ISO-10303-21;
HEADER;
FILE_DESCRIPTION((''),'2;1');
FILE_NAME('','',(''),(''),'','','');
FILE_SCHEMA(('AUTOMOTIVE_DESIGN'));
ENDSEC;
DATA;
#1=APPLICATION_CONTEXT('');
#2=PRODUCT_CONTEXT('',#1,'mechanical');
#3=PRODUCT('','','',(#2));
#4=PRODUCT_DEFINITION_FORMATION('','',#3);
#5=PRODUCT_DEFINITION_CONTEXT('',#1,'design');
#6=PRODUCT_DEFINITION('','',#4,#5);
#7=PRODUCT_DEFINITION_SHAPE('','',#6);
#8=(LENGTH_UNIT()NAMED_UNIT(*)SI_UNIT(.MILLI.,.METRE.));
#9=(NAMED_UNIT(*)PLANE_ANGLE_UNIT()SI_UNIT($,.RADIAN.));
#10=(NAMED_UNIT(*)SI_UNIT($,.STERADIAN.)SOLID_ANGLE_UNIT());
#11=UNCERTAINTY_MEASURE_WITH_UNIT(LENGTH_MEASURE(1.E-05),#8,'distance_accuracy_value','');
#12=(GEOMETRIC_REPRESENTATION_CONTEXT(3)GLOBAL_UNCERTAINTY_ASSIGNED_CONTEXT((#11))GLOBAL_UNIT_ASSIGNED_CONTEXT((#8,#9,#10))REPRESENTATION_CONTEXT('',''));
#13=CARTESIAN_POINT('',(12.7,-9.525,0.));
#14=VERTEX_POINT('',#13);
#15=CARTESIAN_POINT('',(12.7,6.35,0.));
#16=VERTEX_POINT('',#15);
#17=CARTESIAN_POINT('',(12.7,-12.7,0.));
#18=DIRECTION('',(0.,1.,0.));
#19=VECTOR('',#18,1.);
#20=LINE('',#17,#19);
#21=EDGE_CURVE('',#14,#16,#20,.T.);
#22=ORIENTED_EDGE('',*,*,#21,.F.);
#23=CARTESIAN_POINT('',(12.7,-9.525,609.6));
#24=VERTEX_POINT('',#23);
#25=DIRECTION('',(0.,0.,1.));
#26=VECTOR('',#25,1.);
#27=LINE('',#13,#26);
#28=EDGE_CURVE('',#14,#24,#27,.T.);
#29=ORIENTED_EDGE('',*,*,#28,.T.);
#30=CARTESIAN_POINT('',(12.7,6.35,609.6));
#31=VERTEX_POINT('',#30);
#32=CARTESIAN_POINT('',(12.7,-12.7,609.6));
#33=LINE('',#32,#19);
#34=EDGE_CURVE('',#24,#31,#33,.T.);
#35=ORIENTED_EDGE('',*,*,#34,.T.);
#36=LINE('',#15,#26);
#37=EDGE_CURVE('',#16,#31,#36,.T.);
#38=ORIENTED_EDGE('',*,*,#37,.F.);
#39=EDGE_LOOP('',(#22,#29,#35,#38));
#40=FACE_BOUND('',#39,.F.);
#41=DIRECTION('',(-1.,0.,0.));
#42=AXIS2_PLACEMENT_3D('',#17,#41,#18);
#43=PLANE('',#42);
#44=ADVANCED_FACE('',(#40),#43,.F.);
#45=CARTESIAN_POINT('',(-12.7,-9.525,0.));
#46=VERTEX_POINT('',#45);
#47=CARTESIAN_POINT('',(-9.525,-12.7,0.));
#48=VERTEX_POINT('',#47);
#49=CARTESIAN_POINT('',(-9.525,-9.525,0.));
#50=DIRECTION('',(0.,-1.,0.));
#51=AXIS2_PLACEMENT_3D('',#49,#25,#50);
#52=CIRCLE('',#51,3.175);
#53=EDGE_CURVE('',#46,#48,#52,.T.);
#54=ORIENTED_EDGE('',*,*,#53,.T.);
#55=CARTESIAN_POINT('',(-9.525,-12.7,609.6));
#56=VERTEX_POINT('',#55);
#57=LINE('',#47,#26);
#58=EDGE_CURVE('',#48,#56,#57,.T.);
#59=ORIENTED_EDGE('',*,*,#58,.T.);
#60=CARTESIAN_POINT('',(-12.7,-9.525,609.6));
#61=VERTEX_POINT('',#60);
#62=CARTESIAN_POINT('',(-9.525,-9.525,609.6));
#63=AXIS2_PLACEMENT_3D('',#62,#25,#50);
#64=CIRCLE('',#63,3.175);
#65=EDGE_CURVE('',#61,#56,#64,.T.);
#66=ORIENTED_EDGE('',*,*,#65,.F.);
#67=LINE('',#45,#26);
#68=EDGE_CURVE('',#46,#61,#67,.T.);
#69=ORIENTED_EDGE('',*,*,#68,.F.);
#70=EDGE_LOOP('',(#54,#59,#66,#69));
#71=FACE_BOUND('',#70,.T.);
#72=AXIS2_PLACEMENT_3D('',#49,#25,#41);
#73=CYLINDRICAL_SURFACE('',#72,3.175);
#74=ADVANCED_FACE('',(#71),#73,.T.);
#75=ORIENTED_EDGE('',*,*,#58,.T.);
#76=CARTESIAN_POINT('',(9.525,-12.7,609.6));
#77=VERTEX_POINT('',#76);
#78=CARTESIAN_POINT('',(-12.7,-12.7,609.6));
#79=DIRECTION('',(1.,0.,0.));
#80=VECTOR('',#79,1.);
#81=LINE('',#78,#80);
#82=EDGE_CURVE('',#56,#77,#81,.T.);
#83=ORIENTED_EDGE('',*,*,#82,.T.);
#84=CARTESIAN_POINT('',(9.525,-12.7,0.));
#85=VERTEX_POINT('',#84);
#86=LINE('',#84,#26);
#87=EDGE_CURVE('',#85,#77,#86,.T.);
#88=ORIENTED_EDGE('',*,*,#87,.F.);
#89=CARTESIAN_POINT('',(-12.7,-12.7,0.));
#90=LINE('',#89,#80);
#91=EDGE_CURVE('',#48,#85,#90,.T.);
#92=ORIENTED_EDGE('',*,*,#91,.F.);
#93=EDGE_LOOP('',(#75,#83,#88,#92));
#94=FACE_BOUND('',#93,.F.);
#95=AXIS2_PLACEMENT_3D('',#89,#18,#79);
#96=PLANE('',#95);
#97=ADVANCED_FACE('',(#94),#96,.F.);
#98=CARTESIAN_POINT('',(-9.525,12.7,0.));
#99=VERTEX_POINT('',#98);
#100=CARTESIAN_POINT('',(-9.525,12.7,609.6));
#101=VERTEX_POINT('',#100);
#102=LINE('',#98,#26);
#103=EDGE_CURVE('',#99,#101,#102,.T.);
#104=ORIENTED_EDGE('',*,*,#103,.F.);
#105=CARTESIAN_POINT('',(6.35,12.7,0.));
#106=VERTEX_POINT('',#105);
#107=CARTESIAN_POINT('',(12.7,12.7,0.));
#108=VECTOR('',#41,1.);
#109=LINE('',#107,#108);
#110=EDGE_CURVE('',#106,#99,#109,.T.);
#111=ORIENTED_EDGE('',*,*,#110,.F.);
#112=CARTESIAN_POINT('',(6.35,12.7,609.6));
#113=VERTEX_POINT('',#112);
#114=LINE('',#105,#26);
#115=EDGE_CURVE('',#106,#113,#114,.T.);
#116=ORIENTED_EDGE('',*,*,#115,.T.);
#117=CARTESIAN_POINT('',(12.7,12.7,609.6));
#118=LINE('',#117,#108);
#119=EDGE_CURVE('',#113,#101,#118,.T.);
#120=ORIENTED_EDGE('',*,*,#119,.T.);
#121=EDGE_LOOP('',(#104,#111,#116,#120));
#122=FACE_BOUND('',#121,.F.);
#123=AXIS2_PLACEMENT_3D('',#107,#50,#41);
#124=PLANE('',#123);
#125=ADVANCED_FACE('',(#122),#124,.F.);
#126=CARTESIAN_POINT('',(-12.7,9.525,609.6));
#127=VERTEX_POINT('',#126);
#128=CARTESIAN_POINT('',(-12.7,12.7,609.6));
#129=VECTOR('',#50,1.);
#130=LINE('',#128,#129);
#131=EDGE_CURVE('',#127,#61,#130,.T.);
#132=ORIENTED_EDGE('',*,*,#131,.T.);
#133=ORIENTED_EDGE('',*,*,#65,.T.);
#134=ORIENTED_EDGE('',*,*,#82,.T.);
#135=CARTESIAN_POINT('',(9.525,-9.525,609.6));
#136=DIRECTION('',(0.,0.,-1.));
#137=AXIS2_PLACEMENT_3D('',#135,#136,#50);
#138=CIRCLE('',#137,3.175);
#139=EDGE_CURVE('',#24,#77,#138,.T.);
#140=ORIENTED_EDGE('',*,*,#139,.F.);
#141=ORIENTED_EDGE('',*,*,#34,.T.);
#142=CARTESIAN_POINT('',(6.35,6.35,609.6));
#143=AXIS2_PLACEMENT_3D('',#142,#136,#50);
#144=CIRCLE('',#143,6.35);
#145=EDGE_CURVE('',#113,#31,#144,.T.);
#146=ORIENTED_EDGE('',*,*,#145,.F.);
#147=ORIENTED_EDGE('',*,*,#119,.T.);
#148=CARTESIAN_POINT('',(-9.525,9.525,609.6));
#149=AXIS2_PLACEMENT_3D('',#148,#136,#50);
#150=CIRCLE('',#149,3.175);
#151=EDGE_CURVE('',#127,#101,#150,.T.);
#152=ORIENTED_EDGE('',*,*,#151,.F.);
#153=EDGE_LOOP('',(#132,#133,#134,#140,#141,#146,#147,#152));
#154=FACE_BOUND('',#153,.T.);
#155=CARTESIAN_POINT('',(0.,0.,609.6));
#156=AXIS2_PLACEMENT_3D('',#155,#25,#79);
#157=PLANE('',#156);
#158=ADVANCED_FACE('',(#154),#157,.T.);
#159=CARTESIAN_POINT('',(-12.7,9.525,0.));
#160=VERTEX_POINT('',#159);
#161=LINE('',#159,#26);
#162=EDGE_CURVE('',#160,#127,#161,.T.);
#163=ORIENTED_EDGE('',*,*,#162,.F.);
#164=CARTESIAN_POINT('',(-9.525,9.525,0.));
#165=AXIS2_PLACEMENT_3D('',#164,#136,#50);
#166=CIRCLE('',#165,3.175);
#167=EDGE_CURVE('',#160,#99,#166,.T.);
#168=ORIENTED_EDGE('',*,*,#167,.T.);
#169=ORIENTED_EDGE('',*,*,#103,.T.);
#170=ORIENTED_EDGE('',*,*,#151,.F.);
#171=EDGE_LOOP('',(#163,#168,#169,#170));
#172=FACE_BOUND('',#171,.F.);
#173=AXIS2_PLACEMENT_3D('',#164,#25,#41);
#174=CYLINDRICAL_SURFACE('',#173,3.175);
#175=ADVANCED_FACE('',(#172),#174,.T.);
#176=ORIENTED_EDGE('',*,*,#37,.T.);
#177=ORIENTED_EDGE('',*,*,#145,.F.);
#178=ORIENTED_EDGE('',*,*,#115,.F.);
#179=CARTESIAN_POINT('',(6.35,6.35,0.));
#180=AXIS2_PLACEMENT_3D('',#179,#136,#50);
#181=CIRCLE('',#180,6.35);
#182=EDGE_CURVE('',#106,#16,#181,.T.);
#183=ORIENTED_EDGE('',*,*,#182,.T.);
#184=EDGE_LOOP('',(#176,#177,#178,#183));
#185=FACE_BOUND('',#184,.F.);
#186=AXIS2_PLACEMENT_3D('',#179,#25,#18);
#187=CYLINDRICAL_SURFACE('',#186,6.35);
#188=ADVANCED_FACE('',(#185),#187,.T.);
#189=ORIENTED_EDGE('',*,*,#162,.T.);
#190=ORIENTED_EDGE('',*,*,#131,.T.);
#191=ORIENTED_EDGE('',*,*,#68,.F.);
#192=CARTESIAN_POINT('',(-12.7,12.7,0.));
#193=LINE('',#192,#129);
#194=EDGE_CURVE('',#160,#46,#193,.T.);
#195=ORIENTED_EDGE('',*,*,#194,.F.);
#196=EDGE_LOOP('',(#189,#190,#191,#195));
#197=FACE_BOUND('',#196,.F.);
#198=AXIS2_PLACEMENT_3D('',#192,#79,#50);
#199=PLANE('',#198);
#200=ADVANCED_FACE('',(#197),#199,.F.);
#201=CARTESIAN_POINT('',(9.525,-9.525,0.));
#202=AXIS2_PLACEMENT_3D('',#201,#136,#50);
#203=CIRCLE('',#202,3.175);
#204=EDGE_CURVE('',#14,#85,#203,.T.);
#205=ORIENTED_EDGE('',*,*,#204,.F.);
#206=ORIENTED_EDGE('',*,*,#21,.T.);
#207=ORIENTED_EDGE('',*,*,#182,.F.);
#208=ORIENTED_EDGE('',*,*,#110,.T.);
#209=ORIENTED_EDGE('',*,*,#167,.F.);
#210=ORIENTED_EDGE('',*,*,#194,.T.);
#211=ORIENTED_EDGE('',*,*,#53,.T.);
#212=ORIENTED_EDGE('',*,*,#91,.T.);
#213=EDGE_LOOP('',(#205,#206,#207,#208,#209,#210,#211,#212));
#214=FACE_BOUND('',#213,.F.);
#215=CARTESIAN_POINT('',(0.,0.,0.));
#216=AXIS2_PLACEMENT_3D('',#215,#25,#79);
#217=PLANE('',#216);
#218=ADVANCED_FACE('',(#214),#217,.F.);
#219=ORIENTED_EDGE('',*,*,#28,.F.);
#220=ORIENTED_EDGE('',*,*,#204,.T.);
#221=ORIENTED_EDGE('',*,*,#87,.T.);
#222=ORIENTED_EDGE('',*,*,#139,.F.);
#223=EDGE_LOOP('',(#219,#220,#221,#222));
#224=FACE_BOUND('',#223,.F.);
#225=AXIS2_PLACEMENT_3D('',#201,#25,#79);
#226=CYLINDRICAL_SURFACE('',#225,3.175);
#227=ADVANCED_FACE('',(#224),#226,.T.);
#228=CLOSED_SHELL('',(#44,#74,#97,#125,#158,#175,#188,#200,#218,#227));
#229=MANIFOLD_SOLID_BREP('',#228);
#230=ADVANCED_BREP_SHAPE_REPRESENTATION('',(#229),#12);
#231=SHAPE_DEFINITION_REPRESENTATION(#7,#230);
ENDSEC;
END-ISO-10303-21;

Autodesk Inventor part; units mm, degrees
ref_plane "YZ Plane" through (0, 0, 0) normal (1, 0, 0) x (0, 1, 0)
ref_plane "XZ Plane" through (0, 0, 0) normal (0, 1, 0) x (-1, 0, 0)
ref_plane "XY Plane" through (0, 0, 0) normal (0, 0, 1) x (1, 0, 0)
sketch "Sketch1" plane through (0, 0, 0) normal (0, 0, 1) x (1, 0, 0)
  line L0 (-12.7, -12.7) -> (12.7, -12.7)
  line L1 (12.7, -12.7) -> (12.7, 12.7)
  line L2 (12.7, 12.7) -> (-12.7, 12.7)
  line L3 (-12.7, 12.7) -> (-12.7, -12.7)
  line L4 (-12.7, -12.7) -> (12.7, 12.7) construction
  line L5 (12.7, -12.7) -> (-12.7, 12.7) construction
  point P0 (0, 0)
  dimension "d0" = 25.4
  dimension "d1" = 25.4
extrude "Extrusion1" add sketch "Sketch1" along normal blind 609.6
fillet "Fillet1" radius 3.175 3 edges at (-12.7, -12.7, 304.8) (-12.7, 12.7, 304.8) (12.7, -12.7, 304.8)
fillet "Fillet2" radius 6.35 1 edges at (12.7, 12.7, 304.8)
properties part number "Lower Alignment"
